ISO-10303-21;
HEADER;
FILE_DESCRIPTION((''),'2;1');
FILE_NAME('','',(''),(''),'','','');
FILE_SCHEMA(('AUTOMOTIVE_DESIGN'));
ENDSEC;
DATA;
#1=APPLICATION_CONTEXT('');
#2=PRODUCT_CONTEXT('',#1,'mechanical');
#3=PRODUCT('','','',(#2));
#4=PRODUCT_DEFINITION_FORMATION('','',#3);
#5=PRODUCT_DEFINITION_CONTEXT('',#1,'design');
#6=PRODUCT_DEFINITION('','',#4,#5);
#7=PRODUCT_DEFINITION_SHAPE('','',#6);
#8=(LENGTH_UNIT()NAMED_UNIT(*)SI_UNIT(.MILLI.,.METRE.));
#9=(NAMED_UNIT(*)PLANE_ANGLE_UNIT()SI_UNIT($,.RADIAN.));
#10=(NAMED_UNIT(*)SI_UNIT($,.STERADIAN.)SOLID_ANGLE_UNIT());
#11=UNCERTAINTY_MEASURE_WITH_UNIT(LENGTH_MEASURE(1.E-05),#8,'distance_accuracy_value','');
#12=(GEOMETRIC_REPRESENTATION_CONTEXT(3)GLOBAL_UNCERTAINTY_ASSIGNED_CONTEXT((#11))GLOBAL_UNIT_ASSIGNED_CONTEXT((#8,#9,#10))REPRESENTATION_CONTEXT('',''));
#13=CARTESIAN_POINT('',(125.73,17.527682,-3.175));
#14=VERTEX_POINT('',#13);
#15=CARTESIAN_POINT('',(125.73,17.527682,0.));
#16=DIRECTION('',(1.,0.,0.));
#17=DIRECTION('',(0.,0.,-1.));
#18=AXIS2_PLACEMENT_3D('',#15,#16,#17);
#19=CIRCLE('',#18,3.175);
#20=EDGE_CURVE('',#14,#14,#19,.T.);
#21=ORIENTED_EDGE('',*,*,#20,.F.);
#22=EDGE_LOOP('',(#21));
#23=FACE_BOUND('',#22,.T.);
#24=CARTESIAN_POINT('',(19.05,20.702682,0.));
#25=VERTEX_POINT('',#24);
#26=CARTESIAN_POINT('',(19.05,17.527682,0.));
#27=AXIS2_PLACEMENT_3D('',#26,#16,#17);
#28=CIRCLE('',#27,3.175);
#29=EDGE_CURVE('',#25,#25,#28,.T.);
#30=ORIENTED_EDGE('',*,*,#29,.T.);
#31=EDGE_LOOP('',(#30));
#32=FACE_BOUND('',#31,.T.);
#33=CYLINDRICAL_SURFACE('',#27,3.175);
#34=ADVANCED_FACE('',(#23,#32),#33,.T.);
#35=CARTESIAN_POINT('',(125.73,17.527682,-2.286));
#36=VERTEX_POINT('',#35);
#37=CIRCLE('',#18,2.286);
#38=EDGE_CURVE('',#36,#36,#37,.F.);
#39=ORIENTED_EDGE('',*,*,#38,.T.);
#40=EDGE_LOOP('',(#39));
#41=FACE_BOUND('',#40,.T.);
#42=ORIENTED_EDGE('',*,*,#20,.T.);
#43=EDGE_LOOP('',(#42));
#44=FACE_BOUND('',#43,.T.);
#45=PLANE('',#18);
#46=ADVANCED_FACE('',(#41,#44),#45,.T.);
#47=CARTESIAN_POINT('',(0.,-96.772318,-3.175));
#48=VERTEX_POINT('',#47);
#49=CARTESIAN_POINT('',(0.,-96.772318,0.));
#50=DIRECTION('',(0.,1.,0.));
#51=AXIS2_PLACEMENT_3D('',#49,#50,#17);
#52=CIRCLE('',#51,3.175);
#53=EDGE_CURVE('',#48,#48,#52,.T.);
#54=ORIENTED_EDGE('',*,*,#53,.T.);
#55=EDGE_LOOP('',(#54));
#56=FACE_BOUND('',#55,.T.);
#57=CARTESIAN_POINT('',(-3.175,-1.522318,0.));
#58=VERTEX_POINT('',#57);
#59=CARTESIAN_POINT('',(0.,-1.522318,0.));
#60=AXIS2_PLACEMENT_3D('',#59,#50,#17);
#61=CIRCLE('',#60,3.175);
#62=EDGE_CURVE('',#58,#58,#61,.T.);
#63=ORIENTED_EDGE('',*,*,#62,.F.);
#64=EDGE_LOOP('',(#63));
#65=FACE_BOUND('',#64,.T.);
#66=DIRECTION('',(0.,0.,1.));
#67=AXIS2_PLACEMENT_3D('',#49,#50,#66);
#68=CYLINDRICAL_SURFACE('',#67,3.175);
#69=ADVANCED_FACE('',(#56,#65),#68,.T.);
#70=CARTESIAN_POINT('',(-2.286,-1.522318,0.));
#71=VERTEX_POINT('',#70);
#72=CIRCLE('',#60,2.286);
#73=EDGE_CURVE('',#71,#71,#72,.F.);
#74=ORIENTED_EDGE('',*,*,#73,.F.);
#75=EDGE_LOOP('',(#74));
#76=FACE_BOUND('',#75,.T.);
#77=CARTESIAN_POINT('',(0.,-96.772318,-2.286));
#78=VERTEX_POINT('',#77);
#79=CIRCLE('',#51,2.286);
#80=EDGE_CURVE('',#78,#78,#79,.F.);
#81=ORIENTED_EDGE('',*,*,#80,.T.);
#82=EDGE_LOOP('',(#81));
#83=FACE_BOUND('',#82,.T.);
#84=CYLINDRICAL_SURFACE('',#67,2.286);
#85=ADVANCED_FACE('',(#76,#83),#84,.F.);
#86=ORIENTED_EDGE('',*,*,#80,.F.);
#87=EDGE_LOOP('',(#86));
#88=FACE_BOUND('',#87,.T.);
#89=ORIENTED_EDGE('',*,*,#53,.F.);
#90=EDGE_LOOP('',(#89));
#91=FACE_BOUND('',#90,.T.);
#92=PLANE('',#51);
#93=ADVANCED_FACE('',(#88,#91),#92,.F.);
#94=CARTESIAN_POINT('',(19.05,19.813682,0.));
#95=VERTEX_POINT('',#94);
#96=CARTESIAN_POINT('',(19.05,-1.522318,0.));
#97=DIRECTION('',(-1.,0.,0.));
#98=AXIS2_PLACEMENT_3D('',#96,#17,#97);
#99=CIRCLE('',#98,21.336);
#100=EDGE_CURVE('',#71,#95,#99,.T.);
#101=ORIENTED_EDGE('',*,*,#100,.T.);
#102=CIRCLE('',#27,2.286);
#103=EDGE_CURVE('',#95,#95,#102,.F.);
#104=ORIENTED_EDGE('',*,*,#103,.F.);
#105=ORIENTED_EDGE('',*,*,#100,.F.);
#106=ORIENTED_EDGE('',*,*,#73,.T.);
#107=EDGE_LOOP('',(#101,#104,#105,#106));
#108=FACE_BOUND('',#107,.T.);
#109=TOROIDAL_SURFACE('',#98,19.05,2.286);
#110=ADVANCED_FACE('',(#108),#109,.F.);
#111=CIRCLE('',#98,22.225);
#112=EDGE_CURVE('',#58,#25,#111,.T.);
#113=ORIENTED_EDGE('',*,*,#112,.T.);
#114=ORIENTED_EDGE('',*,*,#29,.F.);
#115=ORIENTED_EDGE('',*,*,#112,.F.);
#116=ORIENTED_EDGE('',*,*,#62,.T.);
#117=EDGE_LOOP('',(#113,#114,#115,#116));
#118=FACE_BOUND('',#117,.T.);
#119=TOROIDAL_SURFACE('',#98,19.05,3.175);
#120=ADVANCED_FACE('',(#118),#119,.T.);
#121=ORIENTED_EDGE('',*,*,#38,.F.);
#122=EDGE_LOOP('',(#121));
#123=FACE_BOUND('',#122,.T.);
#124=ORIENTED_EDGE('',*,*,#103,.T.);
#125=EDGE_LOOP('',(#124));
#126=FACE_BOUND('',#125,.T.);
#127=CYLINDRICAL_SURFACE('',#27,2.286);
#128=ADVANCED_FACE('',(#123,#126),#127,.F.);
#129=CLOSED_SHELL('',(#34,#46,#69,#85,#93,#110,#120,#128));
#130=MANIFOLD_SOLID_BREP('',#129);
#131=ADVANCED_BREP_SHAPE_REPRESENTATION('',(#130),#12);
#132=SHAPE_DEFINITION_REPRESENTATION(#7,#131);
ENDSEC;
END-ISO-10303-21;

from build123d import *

# Parameters (mm, degrees)
SKETCH2_R   = 3.175
SKETCH2_R_2 = 2.286


with BuildPart() as part:
    # Sweep1: sweep along a path in Sketch1
    with BuildLine(Plane.XY) as sweep1_path:
        Line((0, -96.772317881), (0, -1.522317881))
        ThreePointArc((0, -1.522317881), (5.579615818, 11.948066301), (19.05, 17.527682119))
        Line((19.05, 17.527682119), (125.73, 17.527682119))
    # Sketch2 → Sweep1 (sweep)
    with BuildSketch(Plane(origin=(125.73, 17.527682119, 0), x_dir=(0, 0, -1), z_dir=(1, 0, 0))):
        Circle(SKETCH2_R)
        Circle(SKETCH2_R_2, mode=Mode.SUBTRACT)
    sweep(path=sweep1_path.line)


solid = part.part
